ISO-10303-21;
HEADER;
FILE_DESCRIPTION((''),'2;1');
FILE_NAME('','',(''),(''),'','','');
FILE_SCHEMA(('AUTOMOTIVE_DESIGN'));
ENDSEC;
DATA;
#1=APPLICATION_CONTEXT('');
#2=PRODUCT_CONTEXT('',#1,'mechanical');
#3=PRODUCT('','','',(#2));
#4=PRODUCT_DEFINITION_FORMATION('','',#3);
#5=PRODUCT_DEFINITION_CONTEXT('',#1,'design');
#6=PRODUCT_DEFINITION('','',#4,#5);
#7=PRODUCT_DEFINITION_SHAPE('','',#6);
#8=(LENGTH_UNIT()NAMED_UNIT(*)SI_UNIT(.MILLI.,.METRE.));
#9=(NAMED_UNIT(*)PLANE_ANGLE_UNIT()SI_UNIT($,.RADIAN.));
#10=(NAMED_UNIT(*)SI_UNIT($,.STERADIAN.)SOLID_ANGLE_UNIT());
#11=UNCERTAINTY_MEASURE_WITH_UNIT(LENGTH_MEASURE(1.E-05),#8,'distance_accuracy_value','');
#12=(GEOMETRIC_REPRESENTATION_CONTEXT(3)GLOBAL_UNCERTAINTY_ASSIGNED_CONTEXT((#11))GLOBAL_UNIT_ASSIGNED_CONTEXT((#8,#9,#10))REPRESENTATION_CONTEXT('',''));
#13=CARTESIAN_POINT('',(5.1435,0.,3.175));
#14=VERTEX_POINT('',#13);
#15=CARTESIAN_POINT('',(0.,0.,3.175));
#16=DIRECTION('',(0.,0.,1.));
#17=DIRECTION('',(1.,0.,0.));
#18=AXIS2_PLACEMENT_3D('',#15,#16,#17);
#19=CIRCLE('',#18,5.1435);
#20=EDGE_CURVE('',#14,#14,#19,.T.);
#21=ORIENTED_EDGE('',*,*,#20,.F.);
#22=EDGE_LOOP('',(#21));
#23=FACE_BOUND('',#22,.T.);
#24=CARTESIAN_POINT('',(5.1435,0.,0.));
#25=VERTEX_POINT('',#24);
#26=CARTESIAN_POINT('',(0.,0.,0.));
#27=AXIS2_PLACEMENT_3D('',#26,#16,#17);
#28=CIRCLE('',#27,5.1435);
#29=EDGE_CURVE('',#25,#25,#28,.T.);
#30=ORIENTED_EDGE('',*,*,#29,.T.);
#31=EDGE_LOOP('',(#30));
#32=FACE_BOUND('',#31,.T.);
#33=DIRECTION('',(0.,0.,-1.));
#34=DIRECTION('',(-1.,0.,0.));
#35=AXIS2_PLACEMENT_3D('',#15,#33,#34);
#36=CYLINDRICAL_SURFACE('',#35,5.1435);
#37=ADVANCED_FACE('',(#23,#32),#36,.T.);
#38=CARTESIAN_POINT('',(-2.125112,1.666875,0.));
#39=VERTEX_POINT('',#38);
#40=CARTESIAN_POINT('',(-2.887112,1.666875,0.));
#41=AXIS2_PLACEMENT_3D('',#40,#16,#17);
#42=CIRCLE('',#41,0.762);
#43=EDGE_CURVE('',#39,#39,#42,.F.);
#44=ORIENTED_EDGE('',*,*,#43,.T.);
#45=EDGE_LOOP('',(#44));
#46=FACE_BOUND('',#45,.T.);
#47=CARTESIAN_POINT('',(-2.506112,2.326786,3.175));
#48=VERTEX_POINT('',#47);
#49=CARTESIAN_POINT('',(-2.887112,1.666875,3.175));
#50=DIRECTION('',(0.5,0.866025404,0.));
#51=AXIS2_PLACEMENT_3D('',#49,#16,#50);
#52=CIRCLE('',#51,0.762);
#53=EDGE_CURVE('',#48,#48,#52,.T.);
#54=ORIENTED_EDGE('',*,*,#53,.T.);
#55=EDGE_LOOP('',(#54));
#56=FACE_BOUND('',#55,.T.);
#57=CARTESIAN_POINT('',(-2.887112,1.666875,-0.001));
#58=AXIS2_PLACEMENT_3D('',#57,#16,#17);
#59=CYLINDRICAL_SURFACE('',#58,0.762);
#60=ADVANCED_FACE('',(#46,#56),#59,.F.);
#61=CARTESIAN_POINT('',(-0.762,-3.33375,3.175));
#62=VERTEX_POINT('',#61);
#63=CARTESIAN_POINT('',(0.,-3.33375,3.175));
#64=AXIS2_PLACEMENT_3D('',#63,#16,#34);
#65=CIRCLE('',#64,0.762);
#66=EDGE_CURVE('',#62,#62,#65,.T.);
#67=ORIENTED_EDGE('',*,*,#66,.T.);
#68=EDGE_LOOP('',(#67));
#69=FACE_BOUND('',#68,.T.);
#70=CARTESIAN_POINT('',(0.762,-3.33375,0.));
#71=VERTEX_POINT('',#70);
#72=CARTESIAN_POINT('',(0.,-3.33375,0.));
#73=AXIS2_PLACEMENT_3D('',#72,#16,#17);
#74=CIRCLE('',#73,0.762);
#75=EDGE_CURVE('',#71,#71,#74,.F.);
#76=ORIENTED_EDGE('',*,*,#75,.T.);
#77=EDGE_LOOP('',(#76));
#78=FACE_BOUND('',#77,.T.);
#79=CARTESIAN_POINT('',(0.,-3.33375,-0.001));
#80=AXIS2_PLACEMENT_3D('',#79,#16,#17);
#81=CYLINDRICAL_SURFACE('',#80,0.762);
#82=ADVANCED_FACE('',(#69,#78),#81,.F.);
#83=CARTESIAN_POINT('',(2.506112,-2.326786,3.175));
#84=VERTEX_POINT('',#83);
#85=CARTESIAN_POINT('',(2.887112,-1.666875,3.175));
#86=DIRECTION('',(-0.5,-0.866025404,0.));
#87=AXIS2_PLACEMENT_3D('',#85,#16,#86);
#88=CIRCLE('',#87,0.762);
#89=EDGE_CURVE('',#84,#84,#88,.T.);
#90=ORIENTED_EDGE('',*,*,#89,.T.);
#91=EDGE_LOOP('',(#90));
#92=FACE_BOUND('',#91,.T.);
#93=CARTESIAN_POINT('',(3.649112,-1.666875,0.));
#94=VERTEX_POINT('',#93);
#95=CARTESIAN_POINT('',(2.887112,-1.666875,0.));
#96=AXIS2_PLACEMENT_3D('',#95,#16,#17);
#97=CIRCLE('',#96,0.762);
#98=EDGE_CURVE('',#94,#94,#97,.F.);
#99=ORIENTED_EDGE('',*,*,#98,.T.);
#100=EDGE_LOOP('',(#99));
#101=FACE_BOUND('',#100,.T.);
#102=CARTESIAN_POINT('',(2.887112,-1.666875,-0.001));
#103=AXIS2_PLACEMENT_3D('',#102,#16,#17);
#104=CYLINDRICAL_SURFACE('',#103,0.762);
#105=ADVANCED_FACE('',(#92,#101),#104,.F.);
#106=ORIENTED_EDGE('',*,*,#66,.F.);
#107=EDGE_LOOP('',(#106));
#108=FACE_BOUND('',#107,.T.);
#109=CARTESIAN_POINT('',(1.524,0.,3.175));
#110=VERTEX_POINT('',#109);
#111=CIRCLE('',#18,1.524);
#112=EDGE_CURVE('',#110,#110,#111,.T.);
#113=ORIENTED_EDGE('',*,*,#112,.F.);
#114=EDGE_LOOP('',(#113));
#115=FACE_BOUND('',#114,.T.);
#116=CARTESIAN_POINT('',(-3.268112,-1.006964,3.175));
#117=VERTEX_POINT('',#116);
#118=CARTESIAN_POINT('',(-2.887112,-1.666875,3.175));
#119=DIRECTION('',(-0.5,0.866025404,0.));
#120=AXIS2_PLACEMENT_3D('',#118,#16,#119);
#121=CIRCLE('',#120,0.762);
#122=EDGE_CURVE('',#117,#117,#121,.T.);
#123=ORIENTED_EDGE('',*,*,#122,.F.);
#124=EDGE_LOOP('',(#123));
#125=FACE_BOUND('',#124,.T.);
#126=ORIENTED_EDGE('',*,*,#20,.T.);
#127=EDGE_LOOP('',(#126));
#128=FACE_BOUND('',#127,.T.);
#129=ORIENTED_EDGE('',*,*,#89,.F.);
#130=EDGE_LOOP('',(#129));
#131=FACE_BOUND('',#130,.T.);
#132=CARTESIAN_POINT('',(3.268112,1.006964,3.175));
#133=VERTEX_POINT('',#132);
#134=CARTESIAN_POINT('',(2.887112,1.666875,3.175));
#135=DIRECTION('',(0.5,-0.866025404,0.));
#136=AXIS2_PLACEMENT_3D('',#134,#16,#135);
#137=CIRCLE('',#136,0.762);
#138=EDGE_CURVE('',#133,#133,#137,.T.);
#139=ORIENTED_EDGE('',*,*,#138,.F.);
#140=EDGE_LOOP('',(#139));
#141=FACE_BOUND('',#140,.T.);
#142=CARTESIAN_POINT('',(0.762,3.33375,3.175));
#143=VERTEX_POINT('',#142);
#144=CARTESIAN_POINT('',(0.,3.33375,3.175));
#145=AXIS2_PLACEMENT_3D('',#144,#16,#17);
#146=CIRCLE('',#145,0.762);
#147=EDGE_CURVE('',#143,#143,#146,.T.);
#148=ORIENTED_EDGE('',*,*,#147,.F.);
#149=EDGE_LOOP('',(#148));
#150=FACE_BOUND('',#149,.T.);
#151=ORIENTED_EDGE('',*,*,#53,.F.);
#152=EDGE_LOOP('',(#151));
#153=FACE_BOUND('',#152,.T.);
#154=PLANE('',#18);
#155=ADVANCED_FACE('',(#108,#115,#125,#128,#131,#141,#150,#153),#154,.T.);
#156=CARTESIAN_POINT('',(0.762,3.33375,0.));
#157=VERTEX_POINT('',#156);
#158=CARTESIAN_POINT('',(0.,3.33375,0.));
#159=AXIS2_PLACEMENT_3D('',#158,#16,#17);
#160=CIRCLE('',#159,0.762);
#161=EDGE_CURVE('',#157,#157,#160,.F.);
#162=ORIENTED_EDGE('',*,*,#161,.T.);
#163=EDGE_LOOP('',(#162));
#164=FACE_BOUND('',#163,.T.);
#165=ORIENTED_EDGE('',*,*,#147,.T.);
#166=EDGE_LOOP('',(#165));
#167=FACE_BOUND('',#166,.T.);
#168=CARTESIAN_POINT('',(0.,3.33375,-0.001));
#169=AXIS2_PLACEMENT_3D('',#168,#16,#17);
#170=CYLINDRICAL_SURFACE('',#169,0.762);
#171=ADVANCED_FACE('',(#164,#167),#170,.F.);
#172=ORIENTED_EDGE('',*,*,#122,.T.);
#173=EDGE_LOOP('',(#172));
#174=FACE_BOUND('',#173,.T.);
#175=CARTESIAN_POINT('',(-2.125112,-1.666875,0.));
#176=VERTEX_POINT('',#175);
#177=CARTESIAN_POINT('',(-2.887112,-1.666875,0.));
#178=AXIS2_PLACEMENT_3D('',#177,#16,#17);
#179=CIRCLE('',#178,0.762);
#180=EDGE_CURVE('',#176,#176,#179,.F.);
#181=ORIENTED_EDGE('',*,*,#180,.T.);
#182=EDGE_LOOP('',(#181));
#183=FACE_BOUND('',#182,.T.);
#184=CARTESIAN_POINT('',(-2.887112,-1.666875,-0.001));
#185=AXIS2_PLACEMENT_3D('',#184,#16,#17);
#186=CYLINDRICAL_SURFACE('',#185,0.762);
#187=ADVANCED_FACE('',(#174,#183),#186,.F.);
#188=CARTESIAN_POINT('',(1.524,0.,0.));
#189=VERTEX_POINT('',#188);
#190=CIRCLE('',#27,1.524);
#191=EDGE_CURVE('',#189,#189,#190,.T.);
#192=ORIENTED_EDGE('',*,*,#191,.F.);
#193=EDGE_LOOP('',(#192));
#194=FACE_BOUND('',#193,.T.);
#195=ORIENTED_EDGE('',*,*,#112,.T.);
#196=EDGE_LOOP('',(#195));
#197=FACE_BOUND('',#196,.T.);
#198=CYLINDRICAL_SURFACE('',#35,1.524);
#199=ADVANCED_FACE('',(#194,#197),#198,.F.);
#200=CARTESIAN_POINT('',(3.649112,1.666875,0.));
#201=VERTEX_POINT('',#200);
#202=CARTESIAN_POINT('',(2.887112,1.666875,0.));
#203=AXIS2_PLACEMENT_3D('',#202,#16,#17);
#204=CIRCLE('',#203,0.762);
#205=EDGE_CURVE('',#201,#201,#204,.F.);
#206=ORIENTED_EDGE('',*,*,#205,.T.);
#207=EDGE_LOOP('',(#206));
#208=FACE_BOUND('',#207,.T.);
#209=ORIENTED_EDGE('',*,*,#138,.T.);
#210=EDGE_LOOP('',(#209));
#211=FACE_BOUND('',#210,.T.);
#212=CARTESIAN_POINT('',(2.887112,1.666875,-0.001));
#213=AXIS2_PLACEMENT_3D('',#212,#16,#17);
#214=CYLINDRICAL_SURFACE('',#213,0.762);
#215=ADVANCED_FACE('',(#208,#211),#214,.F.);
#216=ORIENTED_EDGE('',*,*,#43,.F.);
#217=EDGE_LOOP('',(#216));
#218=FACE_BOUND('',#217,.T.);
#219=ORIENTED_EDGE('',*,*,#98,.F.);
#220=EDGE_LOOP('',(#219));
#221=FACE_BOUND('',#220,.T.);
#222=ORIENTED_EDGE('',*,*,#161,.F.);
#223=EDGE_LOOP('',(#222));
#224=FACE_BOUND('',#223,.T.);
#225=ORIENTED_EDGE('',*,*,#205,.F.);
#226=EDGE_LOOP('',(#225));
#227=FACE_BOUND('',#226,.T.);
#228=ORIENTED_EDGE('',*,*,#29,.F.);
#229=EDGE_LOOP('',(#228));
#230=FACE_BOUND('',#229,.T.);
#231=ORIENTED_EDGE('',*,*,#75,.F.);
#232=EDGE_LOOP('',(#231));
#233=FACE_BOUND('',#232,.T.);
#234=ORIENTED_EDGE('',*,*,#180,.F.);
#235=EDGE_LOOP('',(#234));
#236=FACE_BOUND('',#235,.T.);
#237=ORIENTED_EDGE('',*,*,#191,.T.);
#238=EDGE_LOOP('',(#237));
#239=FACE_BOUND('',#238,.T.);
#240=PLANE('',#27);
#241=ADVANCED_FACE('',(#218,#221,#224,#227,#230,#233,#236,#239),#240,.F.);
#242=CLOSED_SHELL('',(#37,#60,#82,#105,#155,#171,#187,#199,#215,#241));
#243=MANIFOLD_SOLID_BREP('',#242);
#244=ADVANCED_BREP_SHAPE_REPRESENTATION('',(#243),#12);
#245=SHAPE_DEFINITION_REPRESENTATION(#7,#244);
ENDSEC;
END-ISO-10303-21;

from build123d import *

# Parameters (mm, degrees)
SKETCH1_R           = 5.1435
SKETCH1_R_2         = 1.524
BOSS_EXTRUDE1_DEPTH = 3.175
SKETCH2_R           = 0.762
CUT_EXTRUDE1_DEPTH  = 3.175
CIRPATTERN1_COUNT   = 6


with BuildPart() as part:
    # Sketch1 → Boss-Extrude1 (new body)
    with BuildSketch(Plane.XY):
        Circle(SKETCH1_R)
        Circle(SKETCH1_R_2, mode=Mode.SUBTRACT)
    extrude(amount=BOSS_EXTRUDE1_DEPTH)

    # Sketch2 → Cut-Extrude1 (cut)
    with BuildSketch(Plane.XY.offset(3.175)):
        with Locations((0, 3.33375)):
            Circle(SKETCH2_R)
    cut_extrude1 = extrude(amount=-CUT_EXTRUDE1_DEPTH, mode=Mode.SUBTRACT)

    # CirPattern1: Cut-Extrude1 ×6 about axis
    cirpattern1_axis = Axis((0, 0, 0), (0, 0, 1))
    for i in range(1, CIRPATTERN1_COUNT):
        add(cut_extrude1.rotate(cirpattern1_axis, i * 360 / CIRPATTERN1_COUNT), mode=Mode.SUBTRACT)


solid = part.part
